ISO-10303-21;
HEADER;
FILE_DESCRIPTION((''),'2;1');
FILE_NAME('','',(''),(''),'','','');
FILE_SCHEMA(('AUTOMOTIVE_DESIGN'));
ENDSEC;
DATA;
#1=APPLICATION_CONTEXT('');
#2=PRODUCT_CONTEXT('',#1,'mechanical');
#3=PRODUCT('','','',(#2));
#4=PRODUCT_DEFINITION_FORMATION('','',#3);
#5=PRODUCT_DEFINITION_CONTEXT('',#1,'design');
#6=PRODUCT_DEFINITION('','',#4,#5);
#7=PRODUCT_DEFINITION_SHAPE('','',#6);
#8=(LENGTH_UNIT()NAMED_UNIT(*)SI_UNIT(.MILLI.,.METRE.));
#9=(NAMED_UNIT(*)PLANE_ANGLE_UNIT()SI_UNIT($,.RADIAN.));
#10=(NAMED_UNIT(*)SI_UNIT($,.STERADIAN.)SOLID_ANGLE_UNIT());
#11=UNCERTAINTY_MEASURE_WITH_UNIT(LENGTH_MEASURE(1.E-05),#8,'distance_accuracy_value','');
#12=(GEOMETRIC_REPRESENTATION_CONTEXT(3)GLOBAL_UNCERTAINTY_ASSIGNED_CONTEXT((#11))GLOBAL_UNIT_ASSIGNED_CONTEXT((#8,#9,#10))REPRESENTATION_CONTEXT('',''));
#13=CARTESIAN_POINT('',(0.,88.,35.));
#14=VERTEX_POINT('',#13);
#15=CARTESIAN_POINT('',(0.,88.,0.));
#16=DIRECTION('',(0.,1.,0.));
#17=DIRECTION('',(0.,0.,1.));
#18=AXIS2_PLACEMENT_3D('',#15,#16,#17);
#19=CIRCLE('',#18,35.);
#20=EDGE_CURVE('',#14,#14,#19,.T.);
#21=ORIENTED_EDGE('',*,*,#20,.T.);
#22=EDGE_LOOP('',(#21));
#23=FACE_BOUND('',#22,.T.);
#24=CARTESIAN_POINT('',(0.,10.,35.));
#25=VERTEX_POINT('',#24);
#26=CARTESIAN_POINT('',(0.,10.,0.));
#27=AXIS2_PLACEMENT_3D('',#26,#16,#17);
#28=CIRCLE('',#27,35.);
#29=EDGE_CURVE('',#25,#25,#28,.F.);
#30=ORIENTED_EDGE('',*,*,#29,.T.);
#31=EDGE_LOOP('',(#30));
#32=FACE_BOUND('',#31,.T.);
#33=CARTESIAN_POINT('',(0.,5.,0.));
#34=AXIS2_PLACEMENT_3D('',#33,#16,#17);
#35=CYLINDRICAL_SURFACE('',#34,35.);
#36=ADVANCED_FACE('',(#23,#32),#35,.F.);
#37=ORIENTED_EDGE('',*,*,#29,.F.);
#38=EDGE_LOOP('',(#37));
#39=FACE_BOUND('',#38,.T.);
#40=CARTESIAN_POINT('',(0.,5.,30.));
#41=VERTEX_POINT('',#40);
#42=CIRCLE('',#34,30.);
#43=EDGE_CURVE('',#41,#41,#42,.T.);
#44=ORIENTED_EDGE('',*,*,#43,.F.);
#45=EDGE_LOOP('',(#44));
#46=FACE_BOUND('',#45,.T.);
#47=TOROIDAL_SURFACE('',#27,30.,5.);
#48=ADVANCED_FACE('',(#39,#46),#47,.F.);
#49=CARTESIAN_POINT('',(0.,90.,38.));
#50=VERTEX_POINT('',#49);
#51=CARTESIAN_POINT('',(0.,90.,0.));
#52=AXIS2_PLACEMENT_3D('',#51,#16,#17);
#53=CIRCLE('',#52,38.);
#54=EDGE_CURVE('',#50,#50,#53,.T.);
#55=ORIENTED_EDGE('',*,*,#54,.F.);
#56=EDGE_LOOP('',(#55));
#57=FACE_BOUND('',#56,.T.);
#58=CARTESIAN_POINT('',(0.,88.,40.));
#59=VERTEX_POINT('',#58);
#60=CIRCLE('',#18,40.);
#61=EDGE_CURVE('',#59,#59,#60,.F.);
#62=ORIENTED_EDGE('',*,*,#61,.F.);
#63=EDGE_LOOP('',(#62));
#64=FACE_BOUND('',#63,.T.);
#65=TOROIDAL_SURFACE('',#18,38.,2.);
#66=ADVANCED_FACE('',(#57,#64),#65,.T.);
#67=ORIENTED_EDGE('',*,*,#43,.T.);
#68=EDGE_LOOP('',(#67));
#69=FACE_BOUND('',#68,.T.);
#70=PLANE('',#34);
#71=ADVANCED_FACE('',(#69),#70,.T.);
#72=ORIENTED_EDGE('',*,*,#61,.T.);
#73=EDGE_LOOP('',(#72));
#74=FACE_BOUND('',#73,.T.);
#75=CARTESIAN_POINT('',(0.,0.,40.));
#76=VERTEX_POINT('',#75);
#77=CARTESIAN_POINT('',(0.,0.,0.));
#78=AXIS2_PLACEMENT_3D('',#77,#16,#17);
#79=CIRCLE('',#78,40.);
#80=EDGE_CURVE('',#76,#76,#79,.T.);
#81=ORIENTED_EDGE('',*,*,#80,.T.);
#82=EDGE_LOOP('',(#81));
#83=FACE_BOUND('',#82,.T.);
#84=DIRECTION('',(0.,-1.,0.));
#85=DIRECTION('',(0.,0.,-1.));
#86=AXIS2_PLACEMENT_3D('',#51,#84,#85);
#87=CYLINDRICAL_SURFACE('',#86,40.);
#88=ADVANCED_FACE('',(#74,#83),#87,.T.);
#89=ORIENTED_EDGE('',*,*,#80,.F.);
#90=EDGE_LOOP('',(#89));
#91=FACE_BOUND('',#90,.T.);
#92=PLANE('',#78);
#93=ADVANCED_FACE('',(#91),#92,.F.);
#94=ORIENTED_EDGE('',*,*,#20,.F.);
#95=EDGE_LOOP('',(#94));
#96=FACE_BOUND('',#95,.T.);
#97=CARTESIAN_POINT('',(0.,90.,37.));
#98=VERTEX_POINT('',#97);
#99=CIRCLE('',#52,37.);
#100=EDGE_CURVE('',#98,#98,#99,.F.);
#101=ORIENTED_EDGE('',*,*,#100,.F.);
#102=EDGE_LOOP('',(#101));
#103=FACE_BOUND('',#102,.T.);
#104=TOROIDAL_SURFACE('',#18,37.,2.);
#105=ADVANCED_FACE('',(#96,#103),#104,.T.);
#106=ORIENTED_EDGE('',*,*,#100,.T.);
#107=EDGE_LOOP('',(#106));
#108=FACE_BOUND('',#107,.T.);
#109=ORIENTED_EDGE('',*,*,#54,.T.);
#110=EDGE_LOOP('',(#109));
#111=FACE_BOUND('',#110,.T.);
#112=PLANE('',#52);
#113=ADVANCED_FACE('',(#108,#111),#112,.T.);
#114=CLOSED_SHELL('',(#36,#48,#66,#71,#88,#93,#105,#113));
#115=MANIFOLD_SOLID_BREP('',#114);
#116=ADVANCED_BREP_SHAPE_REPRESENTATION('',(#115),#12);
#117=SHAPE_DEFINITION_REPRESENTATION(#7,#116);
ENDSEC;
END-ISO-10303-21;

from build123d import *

# Parameters (mm, degrees)
SKETCH1_R           = 40
BOSS_EXTRUDE1_DEPTH = 90
SKETCH2_R           = 35
CUT_EXTRUDE1_DEPTH  = 85
FILLET1_R           = 2
FILLET2_R           = 2
FILLET4_R           = 5


with BuildPart() as part:
    # Sketch1 → Boss-Extrude1 (new body)
    with BuildSketch(Plane(origin=(0, 0, 0), x_dir=(1, 0, 0), z_dir=(0, 1, 0))):
        Circle(SKETCH1_R)
    extrude(amount=BOSS_EXTRUDE1_DEPTH)

    # Sketch2 → Cut-Extrude1 (cut)
    with BuildSketch(Plane(origin=(0, 90, 0), x_dir=(1, 0, 0), z_dir=(0, 1, 0))):
        Circle(SKETCH2_R)
    extrude(amount=-CUT_EXTRUDE1_DEPTH, mode=Mode.SUBTRACT)

    # Fillet1
    fillet1_edges = [part.edges().sort_by_distance(p)[0] for p in [
        (-40, 90, 0),
    ]]
    fillet(fillet1_edges, radius=FILLET1_R)

    # Fillet2
    fillet2_edges = [part.edges().sort_by_distance(p)[0] for p in [
        (-35, 90, 0),
    ]]
    fillet(fillet2_edges, radius=FILLET2_R)

    # Fillet4
    fillet4_edges = [part.edges().sort_by_distance(p)[0] for p in [
        (-35, 5, 0),
    ]]
    fillet(fillet4_edges, radius=FILLET4_R)


solid = part.part
